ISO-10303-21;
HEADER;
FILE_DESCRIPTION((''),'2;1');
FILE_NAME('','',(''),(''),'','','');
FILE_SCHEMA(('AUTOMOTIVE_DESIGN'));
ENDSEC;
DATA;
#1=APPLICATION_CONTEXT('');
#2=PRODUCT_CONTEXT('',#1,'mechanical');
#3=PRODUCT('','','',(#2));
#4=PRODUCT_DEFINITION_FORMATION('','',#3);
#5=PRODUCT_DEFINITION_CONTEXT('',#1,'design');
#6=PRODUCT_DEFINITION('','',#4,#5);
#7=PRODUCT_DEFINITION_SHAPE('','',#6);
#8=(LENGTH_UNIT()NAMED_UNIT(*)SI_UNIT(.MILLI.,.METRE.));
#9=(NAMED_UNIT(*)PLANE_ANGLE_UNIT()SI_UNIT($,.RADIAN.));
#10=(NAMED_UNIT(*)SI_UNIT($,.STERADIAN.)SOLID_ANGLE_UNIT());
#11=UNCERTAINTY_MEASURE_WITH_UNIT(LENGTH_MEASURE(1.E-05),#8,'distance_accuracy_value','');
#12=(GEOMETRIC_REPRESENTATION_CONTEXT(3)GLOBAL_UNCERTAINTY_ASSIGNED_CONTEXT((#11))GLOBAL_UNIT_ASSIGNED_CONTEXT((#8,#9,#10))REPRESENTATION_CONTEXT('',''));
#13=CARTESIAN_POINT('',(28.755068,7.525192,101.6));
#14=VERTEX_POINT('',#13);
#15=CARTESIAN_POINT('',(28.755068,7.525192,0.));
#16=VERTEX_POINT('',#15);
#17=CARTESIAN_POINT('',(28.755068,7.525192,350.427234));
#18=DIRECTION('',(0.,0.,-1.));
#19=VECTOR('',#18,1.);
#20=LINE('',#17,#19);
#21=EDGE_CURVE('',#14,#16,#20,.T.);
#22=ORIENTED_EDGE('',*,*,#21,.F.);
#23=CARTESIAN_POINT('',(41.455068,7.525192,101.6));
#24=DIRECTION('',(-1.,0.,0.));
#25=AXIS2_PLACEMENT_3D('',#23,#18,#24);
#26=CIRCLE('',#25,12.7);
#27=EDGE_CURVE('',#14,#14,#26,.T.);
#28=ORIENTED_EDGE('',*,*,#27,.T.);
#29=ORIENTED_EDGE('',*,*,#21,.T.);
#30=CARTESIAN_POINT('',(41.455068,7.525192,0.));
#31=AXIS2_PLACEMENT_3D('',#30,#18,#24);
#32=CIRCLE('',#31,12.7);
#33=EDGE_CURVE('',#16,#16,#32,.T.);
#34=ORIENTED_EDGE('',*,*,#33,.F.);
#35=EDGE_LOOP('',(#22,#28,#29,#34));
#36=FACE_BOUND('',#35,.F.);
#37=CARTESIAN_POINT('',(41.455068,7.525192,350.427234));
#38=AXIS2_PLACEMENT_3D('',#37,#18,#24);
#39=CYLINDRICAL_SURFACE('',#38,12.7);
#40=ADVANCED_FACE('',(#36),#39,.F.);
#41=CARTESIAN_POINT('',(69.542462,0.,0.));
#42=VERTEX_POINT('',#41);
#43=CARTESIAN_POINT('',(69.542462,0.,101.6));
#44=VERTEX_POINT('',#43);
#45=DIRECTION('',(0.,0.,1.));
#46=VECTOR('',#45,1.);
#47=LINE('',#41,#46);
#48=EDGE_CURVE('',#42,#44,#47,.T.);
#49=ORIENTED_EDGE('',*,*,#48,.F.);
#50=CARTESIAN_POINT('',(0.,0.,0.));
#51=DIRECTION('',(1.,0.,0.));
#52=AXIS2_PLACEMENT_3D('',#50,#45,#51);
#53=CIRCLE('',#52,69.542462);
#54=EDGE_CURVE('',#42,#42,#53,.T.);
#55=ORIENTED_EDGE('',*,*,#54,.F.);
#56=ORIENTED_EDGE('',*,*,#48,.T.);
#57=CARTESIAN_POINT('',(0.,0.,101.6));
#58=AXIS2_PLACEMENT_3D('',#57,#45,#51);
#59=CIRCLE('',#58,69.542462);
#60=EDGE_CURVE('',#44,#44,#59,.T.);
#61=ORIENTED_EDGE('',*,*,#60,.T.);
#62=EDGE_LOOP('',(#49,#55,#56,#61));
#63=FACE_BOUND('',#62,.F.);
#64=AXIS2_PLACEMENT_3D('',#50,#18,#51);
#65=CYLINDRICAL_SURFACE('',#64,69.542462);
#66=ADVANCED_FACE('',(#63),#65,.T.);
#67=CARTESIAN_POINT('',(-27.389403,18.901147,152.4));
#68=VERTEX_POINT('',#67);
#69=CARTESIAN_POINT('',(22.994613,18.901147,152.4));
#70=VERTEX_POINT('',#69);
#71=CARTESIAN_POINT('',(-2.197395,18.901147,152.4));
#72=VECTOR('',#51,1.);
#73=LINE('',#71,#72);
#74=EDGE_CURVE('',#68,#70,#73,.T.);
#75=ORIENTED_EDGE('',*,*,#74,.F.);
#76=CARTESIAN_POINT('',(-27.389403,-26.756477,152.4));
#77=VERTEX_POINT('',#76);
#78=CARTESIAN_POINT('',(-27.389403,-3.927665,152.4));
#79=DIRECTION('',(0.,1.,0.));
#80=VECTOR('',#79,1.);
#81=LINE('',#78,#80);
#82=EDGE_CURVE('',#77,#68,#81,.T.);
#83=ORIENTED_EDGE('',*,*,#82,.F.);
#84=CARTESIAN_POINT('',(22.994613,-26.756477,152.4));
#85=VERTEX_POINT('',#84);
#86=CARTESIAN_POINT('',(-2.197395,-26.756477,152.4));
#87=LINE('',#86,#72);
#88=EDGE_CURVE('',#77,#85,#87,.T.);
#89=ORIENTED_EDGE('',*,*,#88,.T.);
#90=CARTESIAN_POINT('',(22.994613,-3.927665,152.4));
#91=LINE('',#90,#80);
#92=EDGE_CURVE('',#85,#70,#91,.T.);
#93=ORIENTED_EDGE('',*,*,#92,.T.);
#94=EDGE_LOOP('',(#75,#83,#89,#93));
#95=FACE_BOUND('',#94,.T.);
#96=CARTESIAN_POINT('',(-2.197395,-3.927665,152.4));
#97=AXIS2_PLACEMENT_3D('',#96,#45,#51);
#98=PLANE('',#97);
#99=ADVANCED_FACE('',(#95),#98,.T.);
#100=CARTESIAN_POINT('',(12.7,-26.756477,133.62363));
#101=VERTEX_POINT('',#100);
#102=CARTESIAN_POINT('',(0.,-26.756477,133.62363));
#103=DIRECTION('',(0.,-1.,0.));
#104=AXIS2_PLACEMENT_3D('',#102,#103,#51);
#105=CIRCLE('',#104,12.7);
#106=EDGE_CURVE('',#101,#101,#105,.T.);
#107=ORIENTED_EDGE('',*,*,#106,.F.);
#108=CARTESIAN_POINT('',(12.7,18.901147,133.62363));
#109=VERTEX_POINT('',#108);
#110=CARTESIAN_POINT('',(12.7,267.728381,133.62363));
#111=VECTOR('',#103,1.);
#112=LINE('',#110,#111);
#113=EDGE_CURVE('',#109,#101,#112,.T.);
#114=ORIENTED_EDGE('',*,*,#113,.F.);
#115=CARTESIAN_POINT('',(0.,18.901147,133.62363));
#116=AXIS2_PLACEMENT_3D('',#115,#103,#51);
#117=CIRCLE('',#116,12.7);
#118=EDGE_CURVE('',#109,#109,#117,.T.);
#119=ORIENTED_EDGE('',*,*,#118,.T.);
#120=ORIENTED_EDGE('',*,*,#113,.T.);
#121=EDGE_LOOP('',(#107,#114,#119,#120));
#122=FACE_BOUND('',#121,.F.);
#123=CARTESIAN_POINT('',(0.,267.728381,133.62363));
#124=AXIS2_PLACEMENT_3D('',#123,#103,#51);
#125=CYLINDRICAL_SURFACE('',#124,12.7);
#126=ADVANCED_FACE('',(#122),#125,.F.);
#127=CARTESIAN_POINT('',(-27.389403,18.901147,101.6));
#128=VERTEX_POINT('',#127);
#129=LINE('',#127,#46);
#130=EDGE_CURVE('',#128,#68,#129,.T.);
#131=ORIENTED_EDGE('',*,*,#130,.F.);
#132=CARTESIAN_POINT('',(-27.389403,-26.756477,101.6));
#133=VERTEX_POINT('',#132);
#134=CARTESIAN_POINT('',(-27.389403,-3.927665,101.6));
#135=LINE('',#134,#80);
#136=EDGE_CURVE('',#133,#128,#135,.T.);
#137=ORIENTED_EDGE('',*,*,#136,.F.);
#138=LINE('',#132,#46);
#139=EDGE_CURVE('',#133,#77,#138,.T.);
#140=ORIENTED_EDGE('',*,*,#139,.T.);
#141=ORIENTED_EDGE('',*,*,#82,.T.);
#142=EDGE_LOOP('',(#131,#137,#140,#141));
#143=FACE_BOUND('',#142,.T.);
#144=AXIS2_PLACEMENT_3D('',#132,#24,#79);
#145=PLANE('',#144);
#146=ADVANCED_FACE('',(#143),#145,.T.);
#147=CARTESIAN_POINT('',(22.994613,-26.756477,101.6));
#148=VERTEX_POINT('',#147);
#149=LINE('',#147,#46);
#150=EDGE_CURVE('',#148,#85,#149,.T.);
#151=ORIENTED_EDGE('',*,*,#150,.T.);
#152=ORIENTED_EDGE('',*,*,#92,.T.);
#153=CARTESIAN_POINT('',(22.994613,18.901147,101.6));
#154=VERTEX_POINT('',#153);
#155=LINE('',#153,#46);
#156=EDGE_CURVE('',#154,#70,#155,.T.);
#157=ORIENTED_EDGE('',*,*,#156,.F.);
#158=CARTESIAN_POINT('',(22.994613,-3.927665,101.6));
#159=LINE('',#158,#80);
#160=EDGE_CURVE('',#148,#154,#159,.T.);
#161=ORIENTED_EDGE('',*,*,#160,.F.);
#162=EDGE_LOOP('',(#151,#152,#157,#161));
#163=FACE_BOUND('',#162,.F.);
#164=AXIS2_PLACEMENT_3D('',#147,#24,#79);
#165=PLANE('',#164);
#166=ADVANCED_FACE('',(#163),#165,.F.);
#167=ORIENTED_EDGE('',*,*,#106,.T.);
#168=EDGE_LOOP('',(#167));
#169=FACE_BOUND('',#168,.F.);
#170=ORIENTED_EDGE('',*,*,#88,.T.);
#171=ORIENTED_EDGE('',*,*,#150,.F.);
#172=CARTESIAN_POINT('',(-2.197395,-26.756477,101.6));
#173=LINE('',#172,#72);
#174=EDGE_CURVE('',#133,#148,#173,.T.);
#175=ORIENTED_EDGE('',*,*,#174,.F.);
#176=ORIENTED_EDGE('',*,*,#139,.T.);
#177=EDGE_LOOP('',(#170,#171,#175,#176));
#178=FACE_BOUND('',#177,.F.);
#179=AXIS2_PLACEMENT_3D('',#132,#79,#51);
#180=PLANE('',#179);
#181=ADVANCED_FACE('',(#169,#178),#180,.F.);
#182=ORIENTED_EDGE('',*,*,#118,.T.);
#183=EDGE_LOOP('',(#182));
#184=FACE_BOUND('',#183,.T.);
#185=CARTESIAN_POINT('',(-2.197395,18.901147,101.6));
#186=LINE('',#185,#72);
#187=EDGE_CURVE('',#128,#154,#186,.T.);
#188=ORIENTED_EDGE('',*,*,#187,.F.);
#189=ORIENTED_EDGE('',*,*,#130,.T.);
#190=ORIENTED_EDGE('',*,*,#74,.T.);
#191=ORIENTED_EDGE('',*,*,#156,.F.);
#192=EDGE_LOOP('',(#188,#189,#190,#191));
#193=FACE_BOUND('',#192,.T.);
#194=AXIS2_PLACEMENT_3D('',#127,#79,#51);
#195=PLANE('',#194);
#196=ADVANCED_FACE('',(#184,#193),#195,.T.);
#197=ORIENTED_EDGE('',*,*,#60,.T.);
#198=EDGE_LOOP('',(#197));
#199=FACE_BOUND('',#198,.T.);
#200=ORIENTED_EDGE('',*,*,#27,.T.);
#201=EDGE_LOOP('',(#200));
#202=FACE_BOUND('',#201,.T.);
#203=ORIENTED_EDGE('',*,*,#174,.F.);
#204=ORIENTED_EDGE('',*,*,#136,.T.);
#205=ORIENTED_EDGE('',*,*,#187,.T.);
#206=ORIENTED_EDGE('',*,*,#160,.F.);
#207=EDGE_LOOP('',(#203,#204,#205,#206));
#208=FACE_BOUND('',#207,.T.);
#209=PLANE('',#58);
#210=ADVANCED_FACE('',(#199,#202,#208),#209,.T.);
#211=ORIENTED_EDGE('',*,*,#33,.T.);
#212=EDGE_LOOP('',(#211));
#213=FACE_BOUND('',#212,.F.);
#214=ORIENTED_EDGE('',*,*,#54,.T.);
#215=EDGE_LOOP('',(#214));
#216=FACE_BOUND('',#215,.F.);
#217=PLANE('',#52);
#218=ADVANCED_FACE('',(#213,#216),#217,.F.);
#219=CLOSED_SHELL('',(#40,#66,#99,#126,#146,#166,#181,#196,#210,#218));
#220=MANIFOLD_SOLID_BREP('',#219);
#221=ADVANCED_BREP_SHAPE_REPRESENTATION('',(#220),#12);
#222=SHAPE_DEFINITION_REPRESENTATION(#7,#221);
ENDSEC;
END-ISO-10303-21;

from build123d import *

# Parameters (mm, degrees)
F0_R     = 69.542462
F1_DEPTH = 101.6
F2_W     = 50.384016
F2_H     = 45.657624
F3_DEPTH = 50.8
F5_D     = 25.4
F7_D     = 25.4


with BuildPart() as f1:
    # F0 (on Top) → F1 (new body)
    with BuildSketch(Plane.XY):
        Circle(F0_R)
    extrude(amount=F1_DEPTH)

    # F2 (on face) → F3 (join)
    with BuildSketch(Plane.XY.offset(101.6)):
        with Locations((-2.197395, -3.927665)):
            Rectangle(F2_W, F2_H)
    extrude(amount=F3_DEPTH)

    # F5 (through all)
    with Locations(Plane(origin=(0, 18.901147, 0), x_dir=(-1, 0, 0), z_dir=(0, 1, 0))):
        with Locations((0, 133.62363)):
            Hole(F5_D / 2)

    # F7 (through all)
    with Locations(Plane.XY.offset(101.6)):
        with Locations((41.455068, 7.525192)):
            Hole(F7_D / 2)


solid = f1.part
